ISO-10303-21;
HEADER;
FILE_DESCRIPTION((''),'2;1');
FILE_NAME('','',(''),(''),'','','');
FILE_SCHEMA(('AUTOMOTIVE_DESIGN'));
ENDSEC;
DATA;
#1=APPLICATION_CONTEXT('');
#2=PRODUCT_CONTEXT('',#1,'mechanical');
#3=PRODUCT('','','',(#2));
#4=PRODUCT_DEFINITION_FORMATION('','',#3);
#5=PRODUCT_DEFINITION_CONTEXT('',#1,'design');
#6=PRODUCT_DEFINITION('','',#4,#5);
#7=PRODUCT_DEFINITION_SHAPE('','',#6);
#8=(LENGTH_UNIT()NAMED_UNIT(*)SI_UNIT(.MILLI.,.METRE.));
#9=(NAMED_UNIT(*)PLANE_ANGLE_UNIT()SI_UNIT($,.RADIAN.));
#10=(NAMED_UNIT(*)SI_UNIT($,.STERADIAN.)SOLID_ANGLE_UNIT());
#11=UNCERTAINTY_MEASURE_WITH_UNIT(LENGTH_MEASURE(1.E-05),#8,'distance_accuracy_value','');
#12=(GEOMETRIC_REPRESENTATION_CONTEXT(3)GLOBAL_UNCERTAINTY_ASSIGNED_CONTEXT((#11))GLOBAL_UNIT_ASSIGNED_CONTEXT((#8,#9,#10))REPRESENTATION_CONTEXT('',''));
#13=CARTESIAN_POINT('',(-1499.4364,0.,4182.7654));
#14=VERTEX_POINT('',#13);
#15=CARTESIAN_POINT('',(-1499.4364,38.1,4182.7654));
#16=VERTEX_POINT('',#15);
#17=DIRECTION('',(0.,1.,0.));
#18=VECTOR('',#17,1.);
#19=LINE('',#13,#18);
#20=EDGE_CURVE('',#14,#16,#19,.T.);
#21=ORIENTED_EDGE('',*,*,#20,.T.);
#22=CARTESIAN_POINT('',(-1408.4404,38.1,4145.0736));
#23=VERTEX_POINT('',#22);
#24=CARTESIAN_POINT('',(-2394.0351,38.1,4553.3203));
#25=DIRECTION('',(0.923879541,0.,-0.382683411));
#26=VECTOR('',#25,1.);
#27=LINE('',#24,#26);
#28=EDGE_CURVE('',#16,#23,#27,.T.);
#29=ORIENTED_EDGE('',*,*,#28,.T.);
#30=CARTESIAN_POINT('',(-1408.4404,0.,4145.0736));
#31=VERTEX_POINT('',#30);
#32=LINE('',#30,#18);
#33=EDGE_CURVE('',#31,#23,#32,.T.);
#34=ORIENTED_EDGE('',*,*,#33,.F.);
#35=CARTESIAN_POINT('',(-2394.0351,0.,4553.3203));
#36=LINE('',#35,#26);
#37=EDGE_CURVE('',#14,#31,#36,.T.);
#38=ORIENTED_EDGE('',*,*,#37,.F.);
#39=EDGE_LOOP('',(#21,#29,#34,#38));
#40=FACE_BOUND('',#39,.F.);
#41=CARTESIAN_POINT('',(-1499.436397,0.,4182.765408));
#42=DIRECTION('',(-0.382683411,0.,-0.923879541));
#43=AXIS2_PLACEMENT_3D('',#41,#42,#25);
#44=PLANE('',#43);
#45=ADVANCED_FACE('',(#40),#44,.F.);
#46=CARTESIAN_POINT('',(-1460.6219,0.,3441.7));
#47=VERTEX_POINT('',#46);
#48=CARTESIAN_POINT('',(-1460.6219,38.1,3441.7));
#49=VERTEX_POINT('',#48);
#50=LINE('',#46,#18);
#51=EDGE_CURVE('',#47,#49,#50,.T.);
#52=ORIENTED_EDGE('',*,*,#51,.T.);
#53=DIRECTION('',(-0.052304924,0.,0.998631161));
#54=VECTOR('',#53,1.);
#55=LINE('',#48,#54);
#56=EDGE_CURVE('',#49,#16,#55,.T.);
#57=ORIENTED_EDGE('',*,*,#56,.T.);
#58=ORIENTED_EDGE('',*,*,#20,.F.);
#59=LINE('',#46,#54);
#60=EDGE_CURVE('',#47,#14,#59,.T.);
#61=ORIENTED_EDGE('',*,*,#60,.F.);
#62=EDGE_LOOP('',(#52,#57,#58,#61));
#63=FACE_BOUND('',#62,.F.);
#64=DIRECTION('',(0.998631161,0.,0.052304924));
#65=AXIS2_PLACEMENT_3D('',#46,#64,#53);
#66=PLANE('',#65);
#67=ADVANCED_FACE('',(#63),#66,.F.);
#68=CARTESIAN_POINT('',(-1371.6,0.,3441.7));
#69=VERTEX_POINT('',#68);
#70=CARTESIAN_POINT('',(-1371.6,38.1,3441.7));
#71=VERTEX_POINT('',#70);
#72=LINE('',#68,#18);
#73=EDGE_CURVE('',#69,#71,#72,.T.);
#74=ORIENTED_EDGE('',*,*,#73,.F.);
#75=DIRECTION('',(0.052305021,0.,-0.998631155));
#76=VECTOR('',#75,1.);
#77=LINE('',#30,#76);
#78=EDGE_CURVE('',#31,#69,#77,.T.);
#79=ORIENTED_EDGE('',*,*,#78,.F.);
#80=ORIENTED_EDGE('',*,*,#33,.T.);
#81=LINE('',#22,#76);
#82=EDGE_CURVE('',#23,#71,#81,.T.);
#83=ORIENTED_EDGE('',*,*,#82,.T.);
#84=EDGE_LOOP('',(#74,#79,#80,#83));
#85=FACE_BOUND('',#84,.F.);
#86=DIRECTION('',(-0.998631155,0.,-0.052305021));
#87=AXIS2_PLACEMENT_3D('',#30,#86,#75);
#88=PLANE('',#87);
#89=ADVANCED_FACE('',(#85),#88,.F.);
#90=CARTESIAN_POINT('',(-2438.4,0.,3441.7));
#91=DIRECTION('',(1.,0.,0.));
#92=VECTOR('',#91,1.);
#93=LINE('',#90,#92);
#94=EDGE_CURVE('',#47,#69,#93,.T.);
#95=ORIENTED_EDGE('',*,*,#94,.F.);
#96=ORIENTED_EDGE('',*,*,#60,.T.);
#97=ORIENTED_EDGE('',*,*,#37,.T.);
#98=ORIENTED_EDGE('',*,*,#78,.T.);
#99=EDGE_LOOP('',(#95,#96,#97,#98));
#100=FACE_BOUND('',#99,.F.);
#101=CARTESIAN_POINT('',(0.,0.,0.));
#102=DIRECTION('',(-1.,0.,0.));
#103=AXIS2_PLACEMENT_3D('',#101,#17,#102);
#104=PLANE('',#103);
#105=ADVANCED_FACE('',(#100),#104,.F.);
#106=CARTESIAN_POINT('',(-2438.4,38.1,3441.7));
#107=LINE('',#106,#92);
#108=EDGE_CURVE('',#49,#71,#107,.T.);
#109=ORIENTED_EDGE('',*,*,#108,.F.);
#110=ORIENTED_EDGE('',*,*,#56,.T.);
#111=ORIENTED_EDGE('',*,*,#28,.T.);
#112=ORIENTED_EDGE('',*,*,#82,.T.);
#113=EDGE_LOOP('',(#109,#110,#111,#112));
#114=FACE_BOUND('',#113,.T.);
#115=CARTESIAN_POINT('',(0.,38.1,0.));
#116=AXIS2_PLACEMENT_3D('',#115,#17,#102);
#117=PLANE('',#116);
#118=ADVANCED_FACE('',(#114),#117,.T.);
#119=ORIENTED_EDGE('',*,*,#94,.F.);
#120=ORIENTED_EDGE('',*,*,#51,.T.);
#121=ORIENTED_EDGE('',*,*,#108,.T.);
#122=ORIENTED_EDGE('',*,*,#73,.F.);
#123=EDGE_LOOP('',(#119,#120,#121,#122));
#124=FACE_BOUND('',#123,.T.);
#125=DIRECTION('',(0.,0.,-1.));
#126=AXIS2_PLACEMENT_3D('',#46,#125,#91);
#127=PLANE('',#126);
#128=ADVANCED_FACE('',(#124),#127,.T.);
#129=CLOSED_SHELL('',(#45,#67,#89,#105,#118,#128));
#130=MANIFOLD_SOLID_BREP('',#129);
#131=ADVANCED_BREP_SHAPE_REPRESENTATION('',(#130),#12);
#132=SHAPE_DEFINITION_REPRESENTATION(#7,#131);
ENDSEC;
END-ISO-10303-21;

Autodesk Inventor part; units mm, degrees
ref_plane "YZ Plane" through (0, 0, 0) normal (1, 0, 0) x (0, 1, 0)
ref_plane "XZ Plane" through (0, 0, 0) normal (0, 1, 0) x (-1, 0, 0)
ref_plane "XY Plane" through (0, 0, 0) normal (0, 0, 1) x (1, 0, 0)
sketch "Sketch1" plane through (0, 0, 0) normal (0, 1, 0) x (-1, 0, 0)
  line L0 (0, 0) -> (0, -1219.2)
  line L1 (0, 0) -> (88.9, 0)
  line L2 (88.9, 0) -> (88.9, -1219.2)
  line L3 (88.9, -1219.2) -> (0, -1219.2)
  line L4 (0, 0) -> (0, 1219.2) construction
  line L5 (0, 1219.2) -> (1219.2, 1219.2) construction
  line L6 (0, 1219.2) -> (0, 3657.6) construction
  line L7 (0, 3657.6) -> (0, 4876.8) construction
  line L8 (0, 4876.8) -> (0, 6096) construction
  line L9 (0, -1219.2) -> (2438.4, -1219.2) construction
  line L10 (0, 6096) -> (2438.4, 6096) construction
  line L11 (2438.4, 6096) -> (2438.4, -1219.2) construction
  line L12 (0, 3657.6) -> (0, 3352.8) construction
  line L13 (0, 3352.8) -> (2438.4, 3352.8) construction
  line L14 (2438.4, 3352.8) -> (1219.2, 3352.8)
  line L15 (1219.2, 3352.8) -> (1219.2, 3263.9)
  line L16 (1219.2, 3263.9) -> (2438.4, 3263.9)
  line L17 (2438.4, 3263.9) -> (2438.4, 3352.8)
  line L18 (0, 6096) -> (862.1046, 6958.1046)
  line L19 (862.1046, 6958.1046) -> (924.9664, 6895.2428)
  line L20 (924.9664, 6895.2428) -> (62.8618, 6033.1382)
  line L21 (62.8618, 6033.1382) -> (0, 6096)
  line L22 (0, 4876.8) -> (1219.2, 4876.8) construction
  line L23 (1219.2, 4876.8) -> (2081.3046, 5738.9046)
  line L24 (1219.2, 1219.2) -> (2081.3046, 357.0954)
  line L25 (2081.3046, 357.0954) -> (2018.4428, 294.2336)
  line L26 (2018.4428, 294.2336) -> (1156.3382, 1156.3382)
  line L27 (1156.3382, 1156.3382) -> (1219.2, 1219.2)
  line L28 (2018.4428, 294.2336) -> (88.9, -1219.2)
  line L29 (2081.3046, 357.0954) -> (2144.1664, 419.9572)
  line L30 (2144.1664, 419.9572) -> (1282.0618, 1282.0618)
  line L31 (1282.0618, 1282.0618) -> (1219.2, 1219.2)
  line L32 (2438.4, 3352.8) -> (2438.4, 3441.7)
  line L33 (2438.4, 3441.7) -> (1219.2, 3441.7)
  line L34 (1219.2, 3441.7) -> (1219.2, 3352.8)
  line L35 (1156.3382, 4939.6618) -> (1282.0618, 4813.9382)
  line L36 (2018.4428, 5801.7664) -> (2144.1664, 5676.0428)
  line L37 (1282.0618, 4813.9382) -> (2144.1664, 5676.0428)
  line L38 (2018.4428, 5801.7664) -> (1156.3382, 4939.6618)
  line L39 (2018.4428, 5801.7664) -> (924.9664, 6895.2428)
  line L40 (62.8618, 6033.1382) -> (1156.3382, 4939.6618)
  line L41 (1233.6206, 4168.8855) -> (1267.6412, 4086.7527)
  line L42 (1263.7078, 2313.9849) -> (1230.0006, 2231.7229)
  arc A0 (862.1046, 6958.1046) -> (0, 6096) centre (431.0523, 6527.0523) ccw
  line L43 (1246.8542, 2272.8539) -> (2375.0183, 1810.583)
  line L44 (2391.8719, 1851.7139) -> (2358.1646, 1769.452)
  line L45 (2391.8719, 1851.7139) -> (1263.7078, 2313.9849)
  line L46 (1230.0006, 2231.7229) -> (2358.1646, 1769.452)
  line L47 (1230.0006, 2231.7229) -> (1219.2, 3263.9)
  line L48 (2144.1664, 419.9572) -> (2391.8719, 1851.7139)
  line L49 (2391.8719, 1851.7139) -> (2438.4, 3263.9)
  line L50 (1219.2, 3441.7) -> (1233.6206, 4168.8855)
  line L51 (1250.6309, 4127.8191) -> (2377.0248, 4594.3867)
  line L52 (2360.0145, 4635.4532) -> (2394.0351, 4553.3203)
  line L53 (2394.0351, 4553.3203) -> (1267.6412, 4086.7527)
  line L54 (2360.0145, 4635.4532) -> (1233.6206, 4168.8855)
  line L55 (2394.0351, 4553.3203) -> (2144.1664, 5676.0428)
  line L56 (2438.4, 3441.7) -> (2394.0351, 4553.3203)
  line L57 (2144.1664, 5676.0428) -> (2057.3895, 5656.7301)
  line L58 (2394.0351, 4553.3203) -> (2305.2058, 4549.7751)
  line L59 (2394.0351, 4553.3203) -> (2307.2582, 4534.0076)
  line L60 (2307.2582, 4534.0076) -> (2057.3895, 5656.7301)
  line L61 (2438.4, 3441.7) -> (2349.5707, 3438.1548)
  line L62 (2349.5707, 3438.1548) -> (2305.2058, 4549.7751)
  line L63 (1219.2, 3441.7) -> (1308.0825, 3439.9374)
  line L64 (1233.6206, 4168.8855) -> (1322.5031, 4167.1229)
  line L65 (1322.5031, 4167.1229) -> (1308.0825, 3439.9374)
  line L66 (2018.4428, 5801.7664) -> (1955.581, 5738.9046)
  line L67 (1955.581, 5738.9046) -> (862.1046, 6832.381)
  line L68 (924.9664, 6895.2428) -> (862.1046, 6832.381)
  line L69 (62.8618, 6033.1382) -> (125.7236, 6096)
  line L70 (62.8618, 6033.1382) -> (125.7236, 6096)
  line L71 (125.7236, 6096) -> (1219.2, 5002.5236)
  line L72 (1156.3382, 1156.3382) -> (0, 0)
  line L73 (0, 0) -> (62.8618, -62.8618)
  line L74 (1156.3382, 1156.3382) -> (1219.2, 1093.4764)
  line L75 (1219.2, 1093.4764) -> (62.8618, -62.8618)
  line L76 (2018.4428, 294.2336) -> (1963.5776, 364.1837)
  line L77 (88.9, -1219.2) -> (34.0348, -1149.2499)
  line L78 (34.0348, -1149.2499) -> (1963.5776, 364.1837)
  line L79 (2144.1664, 419.9572) -> (2056.5677, 435.1125)
  line L80 (2391.8719, 1851.7139) -> (2304.2732, 1866.8692)
  line L81 (2391.8719, 1851.7139) -> (2303.0201, 1854.6414)
  line L82 (2304.2732, 1866.8692) -> (2056.5677, 435.1125)
  line L83 (1230.0006, 2231.7229) -> (1318.8957, 2232.6531)
  line L84 (1219.2, 3263.9) -> (1308.0951, 3264.8302)
  line L85 (1308.0951, 3264.8302) -> (1318.8957, 2232.6531)
  line L86 (2438.4, 3263.9) -> (2349.5482, 3266.8275)
  line L87 (2349.5482, 3266.8275) -> (2303.0201, 1854.6414)
  line L88 (88.9, 0) -> (125.7236, 0)
  line L89 (1233.6206, 4168.8855) -> (1219.2, 4876.8)
  line L90 (1233.6206, 4168.8855) -> (1322.5022, 4170.6961)
  line L91 (1219.2, 4876.8) -> (1308.0816, 4878.6106)
  line L92 (1308.0816, 4878.6106) -> (1322.5022, 4170.6961)
  line L93 (1282.0618, 4813.9382) -> (1309.9674, 4786.0326)
  line L94 (1267.6412, 4086.7527) -> (1318.4756, 3964.0275)
  line L95 (2360.0145, 4635.4532) -> (2374.4273, 4641.4231)
  line L96 (1230.0006, 2231.7229) -> (1219.2, 1219.2)
  line L97 (1230.0006, 2231.7229) -> (1318.8955, 2230.7747)
  line L98 (1219.2, 1219.2) -> (1308.0949, 1218.2518)
  line L99 (1308.0949, 1218.2518) -> (1318.8955, 2230.7747)
  line L100 (1282.0618, 1282.0618) -> (1309.0636, 1309.0636)
  line L101 (1263.7078, 2313.9849) -> (1316.7428, 2438.4)
  line L102 (2358.1646, 1769.452) -> (2376.5379, 1763.082)
  line L103 (2286, 3352.8) -> (1371.6, 3352.8)
  line L104 (2286, 3441.7) -> (2286, 3263.9)
  line L105 (1371.6, 3441.7) -> (1371.6, 3263.9)
  line L106 (0, -152.4) -> (0, -1066.8)
  line L107 (0, -152.4) -> (88.9, -152.4)
  line L108 (0, -1066.8) -> (88.9, -1066.8)
  line L109 (1326.9631, 1111.4369) -> (1973.5415, 464.8585)
  line L110 (2036.4033, 527.7203) -> (1910.6797, 401.9967)
  line L111 (1389.8249, 1174.2987) -> (1264.1013, 1048.5751)
  line L112 (2233.9978, 1868.3668) -> (1387.8747, 2215.07)
  line L113 (1404.7283, 2256.201) -> (1371.0211, 2173.939)
  line L114 (2250.8514, 1909.4978) -> (2217.1441, 1827.2358)
  line L115 (1371.0211, 2173.939) -> (1389.8249, 1174.2987)
  line L116 (1264.1013, 1048.5751) -> (88.9, -152.4)
  line L117 (2217.1441, 1827.2358) -> (2036.4033, 527.7203)
  line L118 (1910.6797, 401.9967) -> (88.9, -1066.8)
  line L119 (88.9, -1066.8) -> (33.1016, -997.592)
  line L120 (1910.6797, 401.9967) -> (1854.8813, 471.2047)
  line L121 (1854.8813, 471.2047) -> (33.1016, -997.592)
  line L122 (88.9, -152.4) -> (0, -243.2497)
  line L123 (0, -243.2497) -> (63.5399, -305.426)
  line L124 (1263.7078, 1048.9686) -> (1327.2477, 986.7923)
  line L125 (1327.2477, 986.7923) -> (88.9, -278.7141)
  line L126 (1389.8249, 1174.2987) -> (1392.2351, 1046.1649)
  line L127 (1392.2351, 1046.1649) -> (1481.1194, 1047.8368)
  line L128 (1371.0211, 2173.939) -> (1459.9053, 2175.611)
  line L129 (1459.9053, 2175.611) -> (1460.6275, 2137.2224)
  line L130 (2036.4033, 527.7203) -> (1948.3509, 539.9669)
  line L131 (2217.1441, 1827.2358) -> (2223.465, 1872.6827)
  line L132 (2223.465, 1872.6827) -> (2135.4126, 1884.9293)
  line L133 (2135.4126, 1884.9293) -> (2132.2278, 1862.0307)
  line L134 (88.9, -278.7141) -> (63.1422, -305.0368)
  line L135 (2132.2278, 1862.0307) -> (1948.3509, 539.9669)
  line L136 (1480.4452, 1083.6784) -> (1481.1194, 1047.8368)
  line L137 (1460.6275, 2137.2224) -> (1480.4452, 1083.6784)
  line L138 (1973.5415, 5631.1415) -> (1326.9631, 4984.5631)
  line L139 (1264.1013, 5047.4249) -> (1389.8249, 4921.7013)
  line L140 (1910.6797, 5694.0033) -> (2036.4033, 5568.2797)
  line L141 (1404.7283, 2256.201) -> (1371.6, 3263.9)
  line L142 (2250.8514, 1909.4978) -> (2286, 3263.9)
  line L143 (2236.2256, 4536.0658) -> (1391.4301, 4186.1401)
  line L144 (1374.4199, 4227.2065) -> (1408.4404, 4145.0736)
  line L145 (2219.2153, 4577.1322) -> (2253.2359, 4494.9993)
  line L146 (2286, 3441.7) -> (2253.2359, 4494.9993)
  line L147 (2219.2153, 4577.1322) -> (2036.4033, 5568.2797)
  line L148 (1374.4199, 4227.2065) -> (1389.8249, 4921.7013)
  line L149 (2036.4033, 5568.2797) -> (1948.978, 5552.1546)
  line L150 (2219.2153, 4577.1322) -> (2227.4595, 4532.4348)
  line L151 (2227.4595, 4532.4348) -> (2140.0342, 4516.3096)
  line L152 (1948.978, 5552.1546) -> (2140.0342, 4516.3096)
  line L153 (1374.4199, 4227.2065) -> (1463.298, 4225.235)
  line L154 (1389.8249, 4921.7013) -> (1392.6769, 5050.2769)
  line L155 (1392.6769, 5050.2769) -> (1481.555, 5048.3054)
  line L156 (1463.298, 4225.235) -> (1481.555, 5048.3054)
  line L157 (2253.2359, 4494.9993) -> (2164.3788, 4492.2353)
  line L158 (2286, 3441.7) -> (2197.143, 3438.936)
  line L159 (2197.143, 3438.936) -> (2164.3788, 4492.2353)
  line L160 (1408.4404, 4145.0736) -> (1371.6, 3441.7)
  line L161 (2286, 3263.9) -> (2197.1299, 3266.2063)
  line L162 (2250.8514, 1909.4978) -> (2161.9813, 1911.8041)
  line L163 (2161.9813, 1911.8041) -> (2197.1299, 3266.2063)
  line L164 (1408.4404, 4145.0736) -> (1411.0163, 4194.2529)
  line L165 (1411.0163, 4194.2529) -> (1499.7946, 4189.603)
  line L166 (1371.6, 3441.7) -> (1460.3783, 3437.0501)
  line L167 (1460.3783, 3437.0501) -> (1460.6219, 3441.7)
  line L168 (1371.6, 3263.9) -> (1460.452, 3266.821)
  line L169 (1404.7283, 2256.201) -> (1406.3291, 2207.5082)
  line L170 (1406.3291, 2207.5082) -> (1495.1811, 2210.4293)
  line L171 (1495.1811, 2210.4293) -> (1494.8909, 2219.2564)
  line L172 (1494.8909, 2219.2564) -> (1460.548, 3263.9)
  line L173 (1460.548, 3263.9) -> (1460.452, 3266.821)
  line L174 (1460.6219, 3441.7) -> (1499.4364, 4182.7654)
  line L175 (1499.4364, 4182.7654) -> (1499.7946, 4189.603)
  point P0 (1955.1236, 357.5528)
  point P1 (88.9, -1106.2164)
  point P2 (2292.1025, 1796.5213)
  point P3 (2067.2525, 496.8711)
  point P4 (1318.5187, 2195.4522)
  point P5 (1308.1049, 3263.9)
  point P6 (2349.4518, 3263.9)
  point P7 (2304.1085, 1887.6754)
  point P8 (2306.5112, 4517.0667)
  point P9 (2349.4292, 3441.7)
  point P10 (1308.1175, 3441.7)
  point P11 (2069.6708, 5601.5472)
  point P12 (2291.0394, 4606.8827)
  point P13 (1321.7951, 4205.4086)
  point P14 (1828.8, 3352.8)
  point P15 (0, -609.6)
  point P16 (1650.2523, 788.1477)
  point P17 (1810.9362, 2041.7184)
  point P18 (88.9, -278.7141)
  point P19 (1326.5733, 986.1031)
  point P20 (1957.6068, 606.5167)
  point P21 (1957.6068, 606.5167)
  point P22 (1480.4452, 1083.6784)
  point P23 (1650.2523, 5307.8523)
  point P24 (1813.8279, 4361.1029)
  point P25 (2197.0701, 3263.9)
  point P26 (2162.8572, 1945.5539)
  point P27 (2165.4243, 4458.6266)
  point P28 (2197.057, 3441.7)
  dimension "d0" = 1219.2
  dimension "d2" = 1219.2
  dimension "d3" = 1219.2
  dimension "d16" = 2438.4
  dimension "d17" = 1219.2
  dimension "d18" = 1219.2
  dimension "d20" = 2438.4
  dimension "d21" = 304.8
  dimension "d22" = 1219.2
  dimension "d23" = 88.9
  dimension "d24" = 1219.2
  dimension "d25" = 45
  dimension "d26" = 88.9
  dimension "d27" = 1219.2
  dimension "d28" = 1219.2
  dimension "d29" = 1219.2
  dimension "d31" = 1219.2
  dimension "d32" = 88.9
  dimension "d33" = 88.9
  dimension "d34" = 88.9
  dimension "d35" = 177.8
  dimension "d36" = 177.8
  dimension "d38" = 88.9
  dimension "d39" = 88.9
  dimension "d43" = 1219.2
  dimension "d44" = 88.9
  dimension "d45" = 1219.2
  dimension "d46" = 88.9
  dimension "d47" = 88.9
  dimension "d48" = 88.9
  dimension "d49" = 88.9
  dimension "d50" = 88.9
  dimension "d51" = 88.9
  dimension "d54" = 88.9
  dimension "d55" = 88.9
  dimension "d57" = 88.9
  dimension "d58" = 88.9
  dimension "d59" = 88.9
  dimension "d60" = 88.9
  dimension "d61" = 88.9
  dimension "d64" = 88.9
  dimension "d65" = 88.9
  dimension "d66" = 88.9
  dimension "d69" = 88.9
  dimension "d70" = 88.9
  dimension "d71" = 88.9
  dimension "d72" = 88.9
  dimension "d73" = 914.4
  dimension "d74" = 914.4
  dimension "d75" = 914.4
  dimension "d76" = 914.4
  dimension "d77" = 88.9
  dimension "d78" = 88.9
  dimension "d79" = 88.9
  dimension "d80" = 88.9
  dimension "d83" = 88.9
  dimension "d84" = 88.9
  dimension "d85" = 88.9
  dimension "d86" = 88.9
  dimension "d89" = 914.4
  dimension "d90" = 914.4
  dimension "d91" = 88.9
  dimension "d92" = 88.9
  dimension "d93" = 88.9
extrude "Extrusion3" add sketch "Sketch1" along normal blind 38.1 contours L160 L53 L174 L33
properties part number "S_2x4x29.399"
